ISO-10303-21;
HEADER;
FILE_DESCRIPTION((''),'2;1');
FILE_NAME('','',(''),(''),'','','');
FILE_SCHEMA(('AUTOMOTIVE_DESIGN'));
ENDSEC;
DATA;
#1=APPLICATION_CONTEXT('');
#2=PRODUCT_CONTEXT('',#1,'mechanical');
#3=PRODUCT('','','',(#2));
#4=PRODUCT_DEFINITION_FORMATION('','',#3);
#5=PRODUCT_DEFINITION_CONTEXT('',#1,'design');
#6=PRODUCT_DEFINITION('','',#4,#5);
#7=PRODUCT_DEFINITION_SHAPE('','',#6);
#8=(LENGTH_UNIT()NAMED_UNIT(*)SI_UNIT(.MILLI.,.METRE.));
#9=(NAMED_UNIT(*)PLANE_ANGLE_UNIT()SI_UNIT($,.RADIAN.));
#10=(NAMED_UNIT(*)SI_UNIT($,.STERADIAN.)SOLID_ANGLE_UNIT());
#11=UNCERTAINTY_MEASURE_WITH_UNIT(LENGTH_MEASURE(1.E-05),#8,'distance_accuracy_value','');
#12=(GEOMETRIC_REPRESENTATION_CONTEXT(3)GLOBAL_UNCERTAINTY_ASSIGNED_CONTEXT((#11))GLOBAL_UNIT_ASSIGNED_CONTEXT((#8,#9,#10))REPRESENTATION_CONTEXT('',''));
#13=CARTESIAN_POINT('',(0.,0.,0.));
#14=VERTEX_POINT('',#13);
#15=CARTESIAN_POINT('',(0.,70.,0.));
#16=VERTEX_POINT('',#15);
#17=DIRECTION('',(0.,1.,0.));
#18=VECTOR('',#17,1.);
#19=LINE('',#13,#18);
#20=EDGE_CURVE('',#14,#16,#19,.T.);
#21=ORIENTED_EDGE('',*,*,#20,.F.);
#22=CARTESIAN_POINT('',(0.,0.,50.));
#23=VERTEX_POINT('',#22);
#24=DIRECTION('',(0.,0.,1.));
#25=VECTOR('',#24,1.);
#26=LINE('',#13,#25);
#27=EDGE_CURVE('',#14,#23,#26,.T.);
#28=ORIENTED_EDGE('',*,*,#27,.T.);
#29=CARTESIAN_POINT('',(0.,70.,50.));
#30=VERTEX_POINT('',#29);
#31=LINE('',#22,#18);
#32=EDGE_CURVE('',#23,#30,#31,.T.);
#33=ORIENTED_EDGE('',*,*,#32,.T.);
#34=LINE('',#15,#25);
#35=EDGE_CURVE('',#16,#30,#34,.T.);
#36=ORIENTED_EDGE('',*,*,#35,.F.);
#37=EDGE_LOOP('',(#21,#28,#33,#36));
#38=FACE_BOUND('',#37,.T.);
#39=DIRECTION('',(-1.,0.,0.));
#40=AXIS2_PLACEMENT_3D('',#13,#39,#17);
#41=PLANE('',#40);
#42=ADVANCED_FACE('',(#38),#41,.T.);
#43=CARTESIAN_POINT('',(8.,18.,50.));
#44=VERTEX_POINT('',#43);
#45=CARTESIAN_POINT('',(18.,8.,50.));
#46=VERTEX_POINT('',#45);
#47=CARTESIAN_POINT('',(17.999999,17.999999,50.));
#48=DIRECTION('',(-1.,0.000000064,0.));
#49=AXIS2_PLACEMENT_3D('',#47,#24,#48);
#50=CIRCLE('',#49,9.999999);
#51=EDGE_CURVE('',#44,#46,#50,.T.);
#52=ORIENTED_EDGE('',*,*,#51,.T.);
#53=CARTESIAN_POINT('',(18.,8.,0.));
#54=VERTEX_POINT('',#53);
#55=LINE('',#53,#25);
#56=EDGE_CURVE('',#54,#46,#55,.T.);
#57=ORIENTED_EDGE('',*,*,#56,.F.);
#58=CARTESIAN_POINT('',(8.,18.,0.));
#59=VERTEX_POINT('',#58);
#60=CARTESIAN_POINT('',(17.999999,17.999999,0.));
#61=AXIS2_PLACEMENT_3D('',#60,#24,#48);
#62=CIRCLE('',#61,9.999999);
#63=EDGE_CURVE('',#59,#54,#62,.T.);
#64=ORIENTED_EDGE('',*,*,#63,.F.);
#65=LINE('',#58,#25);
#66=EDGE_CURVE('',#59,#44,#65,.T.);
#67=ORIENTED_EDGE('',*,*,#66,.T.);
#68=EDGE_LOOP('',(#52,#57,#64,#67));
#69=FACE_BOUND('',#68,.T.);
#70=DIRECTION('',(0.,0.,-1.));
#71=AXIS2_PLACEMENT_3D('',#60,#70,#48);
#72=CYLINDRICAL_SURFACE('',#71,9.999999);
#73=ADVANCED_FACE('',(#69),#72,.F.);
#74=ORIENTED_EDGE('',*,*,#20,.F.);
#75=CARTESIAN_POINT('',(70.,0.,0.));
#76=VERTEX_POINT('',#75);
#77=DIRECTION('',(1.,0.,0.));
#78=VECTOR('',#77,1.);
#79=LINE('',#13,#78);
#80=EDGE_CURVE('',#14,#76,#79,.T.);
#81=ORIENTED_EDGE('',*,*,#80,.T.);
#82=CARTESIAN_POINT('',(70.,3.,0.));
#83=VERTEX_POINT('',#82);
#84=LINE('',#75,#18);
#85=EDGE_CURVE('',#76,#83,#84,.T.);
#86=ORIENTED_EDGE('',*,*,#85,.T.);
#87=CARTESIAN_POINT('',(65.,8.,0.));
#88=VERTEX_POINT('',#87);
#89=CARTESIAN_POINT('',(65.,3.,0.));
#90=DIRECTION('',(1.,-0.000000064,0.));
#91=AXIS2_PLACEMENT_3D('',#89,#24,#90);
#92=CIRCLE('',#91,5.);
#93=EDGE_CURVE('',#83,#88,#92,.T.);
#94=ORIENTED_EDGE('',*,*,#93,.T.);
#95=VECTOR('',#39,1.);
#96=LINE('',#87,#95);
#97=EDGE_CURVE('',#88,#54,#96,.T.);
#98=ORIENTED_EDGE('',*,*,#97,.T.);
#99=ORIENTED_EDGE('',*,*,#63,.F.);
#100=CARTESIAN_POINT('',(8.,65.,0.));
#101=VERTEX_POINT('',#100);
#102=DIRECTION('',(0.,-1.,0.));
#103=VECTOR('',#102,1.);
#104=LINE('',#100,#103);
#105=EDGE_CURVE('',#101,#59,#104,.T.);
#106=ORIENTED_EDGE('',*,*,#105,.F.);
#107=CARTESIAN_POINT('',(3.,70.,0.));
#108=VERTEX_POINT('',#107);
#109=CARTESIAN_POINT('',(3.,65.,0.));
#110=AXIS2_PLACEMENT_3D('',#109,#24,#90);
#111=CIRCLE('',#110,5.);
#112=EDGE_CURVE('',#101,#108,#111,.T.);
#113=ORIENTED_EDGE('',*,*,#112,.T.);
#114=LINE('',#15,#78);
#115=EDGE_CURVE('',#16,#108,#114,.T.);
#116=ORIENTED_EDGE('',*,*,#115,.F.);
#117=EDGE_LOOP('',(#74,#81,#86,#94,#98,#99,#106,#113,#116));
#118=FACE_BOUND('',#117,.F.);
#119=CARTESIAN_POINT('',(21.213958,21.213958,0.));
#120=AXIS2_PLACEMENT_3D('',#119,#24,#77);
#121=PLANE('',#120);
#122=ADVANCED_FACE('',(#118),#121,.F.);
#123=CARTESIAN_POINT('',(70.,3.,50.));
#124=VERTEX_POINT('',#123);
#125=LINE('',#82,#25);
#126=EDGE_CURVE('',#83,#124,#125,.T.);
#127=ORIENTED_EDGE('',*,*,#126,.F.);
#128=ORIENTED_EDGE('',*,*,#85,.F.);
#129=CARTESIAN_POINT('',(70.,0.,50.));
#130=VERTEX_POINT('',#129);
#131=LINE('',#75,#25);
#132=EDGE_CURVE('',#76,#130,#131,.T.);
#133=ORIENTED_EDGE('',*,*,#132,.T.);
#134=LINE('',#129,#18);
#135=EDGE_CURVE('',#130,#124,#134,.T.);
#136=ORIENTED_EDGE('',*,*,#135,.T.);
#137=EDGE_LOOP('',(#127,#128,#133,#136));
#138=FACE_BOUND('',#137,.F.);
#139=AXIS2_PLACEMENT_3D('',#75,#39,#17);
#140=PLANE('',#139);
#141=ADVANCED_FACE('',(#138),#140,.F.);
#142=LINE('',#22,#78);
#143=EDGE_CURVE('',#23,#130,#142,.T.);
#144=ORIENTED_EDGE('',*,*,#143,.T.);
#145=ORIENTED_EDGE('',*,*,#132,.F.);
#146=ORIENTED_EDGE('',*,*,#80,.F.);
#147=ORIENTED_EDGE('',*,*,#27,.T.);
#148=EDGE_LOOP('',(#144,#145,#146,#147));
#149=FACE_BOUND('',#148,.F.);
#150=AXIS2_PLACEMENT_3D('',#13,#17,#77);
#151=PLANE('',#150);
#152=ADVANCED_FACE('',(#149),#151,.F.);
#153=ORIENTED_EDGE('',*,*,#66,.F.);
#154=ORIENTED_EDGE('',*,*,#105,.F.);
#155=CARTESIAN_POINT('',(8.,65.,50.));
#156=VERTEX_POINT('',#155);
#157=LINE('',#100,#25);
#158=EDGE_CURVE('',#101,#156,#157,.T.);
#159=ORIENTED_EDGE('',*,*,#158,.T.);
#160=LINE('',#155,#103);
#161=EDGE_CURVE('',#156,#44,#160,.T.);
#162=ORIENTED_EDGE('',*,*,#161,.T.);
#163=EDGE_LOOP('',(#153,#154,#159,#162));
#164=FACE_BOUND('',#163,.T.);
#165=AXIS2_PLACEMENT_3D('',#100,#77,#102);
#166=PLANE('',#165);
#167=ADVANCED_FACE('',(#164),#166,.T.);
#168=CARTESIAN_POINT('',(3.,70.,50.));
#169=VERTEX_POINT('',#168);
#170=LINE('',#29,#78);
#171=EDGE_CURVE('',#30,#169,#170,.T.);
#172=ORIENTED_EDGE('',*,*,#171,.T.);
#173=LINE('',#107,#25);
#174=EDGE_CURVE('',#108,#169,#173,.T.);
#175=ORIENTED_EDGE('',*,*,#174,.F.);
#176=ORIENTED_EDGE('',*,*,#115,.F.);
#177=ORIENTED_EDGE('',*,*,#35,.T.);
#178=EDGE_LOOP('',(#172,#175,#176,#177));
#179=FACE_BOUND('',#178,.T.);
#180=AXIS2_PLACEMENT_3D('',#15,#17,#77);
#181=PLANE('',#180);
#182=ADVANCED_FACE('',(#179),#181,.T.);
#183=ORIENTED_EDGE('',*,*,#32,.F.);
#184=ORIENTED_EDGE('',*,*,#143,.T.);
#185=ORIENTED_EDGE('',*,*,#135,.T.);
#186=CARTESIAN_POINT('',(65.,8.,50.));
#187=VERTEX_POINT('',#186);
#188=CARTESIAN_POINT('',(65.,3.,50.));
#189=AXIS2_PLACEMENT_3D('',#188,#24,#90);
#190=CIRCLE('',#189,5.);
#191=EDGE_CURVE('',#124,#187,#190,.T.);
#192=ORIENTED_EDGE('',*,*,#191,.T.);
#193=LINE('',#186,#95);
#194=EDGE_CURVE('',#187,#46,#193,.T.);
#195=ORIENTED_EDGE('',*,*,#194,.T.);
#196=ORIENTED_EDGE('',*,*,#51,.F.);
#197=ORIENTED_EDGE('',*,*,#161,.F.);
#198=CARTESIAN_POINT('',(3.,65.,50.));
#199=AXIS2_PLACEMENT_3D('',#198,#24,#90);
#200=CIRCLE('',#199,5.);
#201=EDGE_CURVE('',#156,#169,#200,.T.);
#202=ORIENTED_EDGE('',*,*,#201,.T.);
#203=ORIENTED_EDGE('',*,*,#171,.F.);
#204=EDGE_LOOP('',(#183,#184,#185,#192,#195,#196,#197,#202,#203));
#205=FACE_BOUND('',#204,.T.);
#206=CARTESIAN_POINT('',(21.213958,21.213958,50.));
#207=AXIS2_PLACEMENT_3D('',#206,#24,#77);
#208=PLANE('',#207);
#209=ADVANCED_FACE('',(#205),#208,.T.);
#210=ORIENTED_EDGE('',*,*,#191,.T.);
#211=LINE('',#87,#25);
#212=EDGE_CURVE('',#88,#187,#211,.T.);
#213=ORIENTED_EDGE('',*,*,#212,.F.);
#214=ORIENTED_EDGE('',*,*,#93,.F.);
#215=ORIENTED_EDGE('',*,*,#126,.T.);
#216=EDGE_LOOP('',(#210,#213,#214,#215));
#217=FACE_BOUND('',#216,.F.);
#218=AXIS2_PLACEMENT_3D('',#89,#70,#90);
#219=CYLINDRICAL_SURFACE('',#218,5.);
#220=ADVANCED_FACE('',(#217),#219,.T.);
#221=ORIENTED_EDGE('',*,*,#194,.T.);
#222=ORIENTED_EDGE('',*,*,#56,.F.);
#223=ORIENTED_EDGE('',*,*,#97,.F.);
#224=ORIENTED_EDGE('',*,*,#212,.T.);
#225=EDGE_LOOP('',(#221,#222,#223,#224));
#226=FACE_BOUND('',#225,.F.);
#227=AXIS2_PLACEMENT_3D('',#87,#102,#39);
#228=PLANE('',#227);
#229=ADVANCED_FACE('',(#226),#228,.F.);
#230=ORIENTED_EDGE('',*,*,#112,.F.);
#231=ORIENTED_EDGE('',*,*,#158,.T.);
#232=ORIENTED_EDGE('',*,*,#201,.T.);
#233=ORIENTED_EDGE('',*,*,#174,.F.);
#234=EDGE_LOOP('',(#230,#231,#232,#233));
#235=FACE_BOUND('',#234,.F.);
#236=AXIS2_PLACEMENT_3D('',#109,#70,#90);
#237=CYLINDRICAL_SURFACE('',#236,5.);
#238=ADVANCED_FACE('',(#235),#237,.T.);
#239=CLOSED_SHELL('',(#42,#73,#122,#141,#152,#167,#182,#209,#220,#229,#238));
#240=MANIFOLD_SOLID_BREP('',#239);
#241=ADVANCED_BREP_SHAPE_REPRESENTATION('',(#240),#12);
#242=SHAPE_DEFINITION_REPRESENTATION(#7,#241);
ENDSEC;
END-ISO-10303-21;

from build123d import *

# Parameters (mm, degrees)
EXTRUDE_DEPTH = 50


with BuildPart() as part:
    # Sketch → Extrude (new body)
    with BuildSketch(Plane.XY):
        with BuildLine():
            Line((0, 0), (70, 0))
            Line((70, 0), (70, 3))
            ThreePointArc((70, 3), (68.535534, 6.535534), (65, 8))
            Line((65, 8), (18, 8))
            ThreePointArc((8, 18), (10.928932, 10.928932), (18, 8))
            Line((8, 65), (8, 18))
            ThreePointArc((8, 65), (6.535534, 68.535534), (3, 70))
            Line((0, 70), (3, 70))
            Line((0, 0), (0, 70))
        make_face()
    extrude(amount=EXTRUDE_DEPTH)


solid = part.part
